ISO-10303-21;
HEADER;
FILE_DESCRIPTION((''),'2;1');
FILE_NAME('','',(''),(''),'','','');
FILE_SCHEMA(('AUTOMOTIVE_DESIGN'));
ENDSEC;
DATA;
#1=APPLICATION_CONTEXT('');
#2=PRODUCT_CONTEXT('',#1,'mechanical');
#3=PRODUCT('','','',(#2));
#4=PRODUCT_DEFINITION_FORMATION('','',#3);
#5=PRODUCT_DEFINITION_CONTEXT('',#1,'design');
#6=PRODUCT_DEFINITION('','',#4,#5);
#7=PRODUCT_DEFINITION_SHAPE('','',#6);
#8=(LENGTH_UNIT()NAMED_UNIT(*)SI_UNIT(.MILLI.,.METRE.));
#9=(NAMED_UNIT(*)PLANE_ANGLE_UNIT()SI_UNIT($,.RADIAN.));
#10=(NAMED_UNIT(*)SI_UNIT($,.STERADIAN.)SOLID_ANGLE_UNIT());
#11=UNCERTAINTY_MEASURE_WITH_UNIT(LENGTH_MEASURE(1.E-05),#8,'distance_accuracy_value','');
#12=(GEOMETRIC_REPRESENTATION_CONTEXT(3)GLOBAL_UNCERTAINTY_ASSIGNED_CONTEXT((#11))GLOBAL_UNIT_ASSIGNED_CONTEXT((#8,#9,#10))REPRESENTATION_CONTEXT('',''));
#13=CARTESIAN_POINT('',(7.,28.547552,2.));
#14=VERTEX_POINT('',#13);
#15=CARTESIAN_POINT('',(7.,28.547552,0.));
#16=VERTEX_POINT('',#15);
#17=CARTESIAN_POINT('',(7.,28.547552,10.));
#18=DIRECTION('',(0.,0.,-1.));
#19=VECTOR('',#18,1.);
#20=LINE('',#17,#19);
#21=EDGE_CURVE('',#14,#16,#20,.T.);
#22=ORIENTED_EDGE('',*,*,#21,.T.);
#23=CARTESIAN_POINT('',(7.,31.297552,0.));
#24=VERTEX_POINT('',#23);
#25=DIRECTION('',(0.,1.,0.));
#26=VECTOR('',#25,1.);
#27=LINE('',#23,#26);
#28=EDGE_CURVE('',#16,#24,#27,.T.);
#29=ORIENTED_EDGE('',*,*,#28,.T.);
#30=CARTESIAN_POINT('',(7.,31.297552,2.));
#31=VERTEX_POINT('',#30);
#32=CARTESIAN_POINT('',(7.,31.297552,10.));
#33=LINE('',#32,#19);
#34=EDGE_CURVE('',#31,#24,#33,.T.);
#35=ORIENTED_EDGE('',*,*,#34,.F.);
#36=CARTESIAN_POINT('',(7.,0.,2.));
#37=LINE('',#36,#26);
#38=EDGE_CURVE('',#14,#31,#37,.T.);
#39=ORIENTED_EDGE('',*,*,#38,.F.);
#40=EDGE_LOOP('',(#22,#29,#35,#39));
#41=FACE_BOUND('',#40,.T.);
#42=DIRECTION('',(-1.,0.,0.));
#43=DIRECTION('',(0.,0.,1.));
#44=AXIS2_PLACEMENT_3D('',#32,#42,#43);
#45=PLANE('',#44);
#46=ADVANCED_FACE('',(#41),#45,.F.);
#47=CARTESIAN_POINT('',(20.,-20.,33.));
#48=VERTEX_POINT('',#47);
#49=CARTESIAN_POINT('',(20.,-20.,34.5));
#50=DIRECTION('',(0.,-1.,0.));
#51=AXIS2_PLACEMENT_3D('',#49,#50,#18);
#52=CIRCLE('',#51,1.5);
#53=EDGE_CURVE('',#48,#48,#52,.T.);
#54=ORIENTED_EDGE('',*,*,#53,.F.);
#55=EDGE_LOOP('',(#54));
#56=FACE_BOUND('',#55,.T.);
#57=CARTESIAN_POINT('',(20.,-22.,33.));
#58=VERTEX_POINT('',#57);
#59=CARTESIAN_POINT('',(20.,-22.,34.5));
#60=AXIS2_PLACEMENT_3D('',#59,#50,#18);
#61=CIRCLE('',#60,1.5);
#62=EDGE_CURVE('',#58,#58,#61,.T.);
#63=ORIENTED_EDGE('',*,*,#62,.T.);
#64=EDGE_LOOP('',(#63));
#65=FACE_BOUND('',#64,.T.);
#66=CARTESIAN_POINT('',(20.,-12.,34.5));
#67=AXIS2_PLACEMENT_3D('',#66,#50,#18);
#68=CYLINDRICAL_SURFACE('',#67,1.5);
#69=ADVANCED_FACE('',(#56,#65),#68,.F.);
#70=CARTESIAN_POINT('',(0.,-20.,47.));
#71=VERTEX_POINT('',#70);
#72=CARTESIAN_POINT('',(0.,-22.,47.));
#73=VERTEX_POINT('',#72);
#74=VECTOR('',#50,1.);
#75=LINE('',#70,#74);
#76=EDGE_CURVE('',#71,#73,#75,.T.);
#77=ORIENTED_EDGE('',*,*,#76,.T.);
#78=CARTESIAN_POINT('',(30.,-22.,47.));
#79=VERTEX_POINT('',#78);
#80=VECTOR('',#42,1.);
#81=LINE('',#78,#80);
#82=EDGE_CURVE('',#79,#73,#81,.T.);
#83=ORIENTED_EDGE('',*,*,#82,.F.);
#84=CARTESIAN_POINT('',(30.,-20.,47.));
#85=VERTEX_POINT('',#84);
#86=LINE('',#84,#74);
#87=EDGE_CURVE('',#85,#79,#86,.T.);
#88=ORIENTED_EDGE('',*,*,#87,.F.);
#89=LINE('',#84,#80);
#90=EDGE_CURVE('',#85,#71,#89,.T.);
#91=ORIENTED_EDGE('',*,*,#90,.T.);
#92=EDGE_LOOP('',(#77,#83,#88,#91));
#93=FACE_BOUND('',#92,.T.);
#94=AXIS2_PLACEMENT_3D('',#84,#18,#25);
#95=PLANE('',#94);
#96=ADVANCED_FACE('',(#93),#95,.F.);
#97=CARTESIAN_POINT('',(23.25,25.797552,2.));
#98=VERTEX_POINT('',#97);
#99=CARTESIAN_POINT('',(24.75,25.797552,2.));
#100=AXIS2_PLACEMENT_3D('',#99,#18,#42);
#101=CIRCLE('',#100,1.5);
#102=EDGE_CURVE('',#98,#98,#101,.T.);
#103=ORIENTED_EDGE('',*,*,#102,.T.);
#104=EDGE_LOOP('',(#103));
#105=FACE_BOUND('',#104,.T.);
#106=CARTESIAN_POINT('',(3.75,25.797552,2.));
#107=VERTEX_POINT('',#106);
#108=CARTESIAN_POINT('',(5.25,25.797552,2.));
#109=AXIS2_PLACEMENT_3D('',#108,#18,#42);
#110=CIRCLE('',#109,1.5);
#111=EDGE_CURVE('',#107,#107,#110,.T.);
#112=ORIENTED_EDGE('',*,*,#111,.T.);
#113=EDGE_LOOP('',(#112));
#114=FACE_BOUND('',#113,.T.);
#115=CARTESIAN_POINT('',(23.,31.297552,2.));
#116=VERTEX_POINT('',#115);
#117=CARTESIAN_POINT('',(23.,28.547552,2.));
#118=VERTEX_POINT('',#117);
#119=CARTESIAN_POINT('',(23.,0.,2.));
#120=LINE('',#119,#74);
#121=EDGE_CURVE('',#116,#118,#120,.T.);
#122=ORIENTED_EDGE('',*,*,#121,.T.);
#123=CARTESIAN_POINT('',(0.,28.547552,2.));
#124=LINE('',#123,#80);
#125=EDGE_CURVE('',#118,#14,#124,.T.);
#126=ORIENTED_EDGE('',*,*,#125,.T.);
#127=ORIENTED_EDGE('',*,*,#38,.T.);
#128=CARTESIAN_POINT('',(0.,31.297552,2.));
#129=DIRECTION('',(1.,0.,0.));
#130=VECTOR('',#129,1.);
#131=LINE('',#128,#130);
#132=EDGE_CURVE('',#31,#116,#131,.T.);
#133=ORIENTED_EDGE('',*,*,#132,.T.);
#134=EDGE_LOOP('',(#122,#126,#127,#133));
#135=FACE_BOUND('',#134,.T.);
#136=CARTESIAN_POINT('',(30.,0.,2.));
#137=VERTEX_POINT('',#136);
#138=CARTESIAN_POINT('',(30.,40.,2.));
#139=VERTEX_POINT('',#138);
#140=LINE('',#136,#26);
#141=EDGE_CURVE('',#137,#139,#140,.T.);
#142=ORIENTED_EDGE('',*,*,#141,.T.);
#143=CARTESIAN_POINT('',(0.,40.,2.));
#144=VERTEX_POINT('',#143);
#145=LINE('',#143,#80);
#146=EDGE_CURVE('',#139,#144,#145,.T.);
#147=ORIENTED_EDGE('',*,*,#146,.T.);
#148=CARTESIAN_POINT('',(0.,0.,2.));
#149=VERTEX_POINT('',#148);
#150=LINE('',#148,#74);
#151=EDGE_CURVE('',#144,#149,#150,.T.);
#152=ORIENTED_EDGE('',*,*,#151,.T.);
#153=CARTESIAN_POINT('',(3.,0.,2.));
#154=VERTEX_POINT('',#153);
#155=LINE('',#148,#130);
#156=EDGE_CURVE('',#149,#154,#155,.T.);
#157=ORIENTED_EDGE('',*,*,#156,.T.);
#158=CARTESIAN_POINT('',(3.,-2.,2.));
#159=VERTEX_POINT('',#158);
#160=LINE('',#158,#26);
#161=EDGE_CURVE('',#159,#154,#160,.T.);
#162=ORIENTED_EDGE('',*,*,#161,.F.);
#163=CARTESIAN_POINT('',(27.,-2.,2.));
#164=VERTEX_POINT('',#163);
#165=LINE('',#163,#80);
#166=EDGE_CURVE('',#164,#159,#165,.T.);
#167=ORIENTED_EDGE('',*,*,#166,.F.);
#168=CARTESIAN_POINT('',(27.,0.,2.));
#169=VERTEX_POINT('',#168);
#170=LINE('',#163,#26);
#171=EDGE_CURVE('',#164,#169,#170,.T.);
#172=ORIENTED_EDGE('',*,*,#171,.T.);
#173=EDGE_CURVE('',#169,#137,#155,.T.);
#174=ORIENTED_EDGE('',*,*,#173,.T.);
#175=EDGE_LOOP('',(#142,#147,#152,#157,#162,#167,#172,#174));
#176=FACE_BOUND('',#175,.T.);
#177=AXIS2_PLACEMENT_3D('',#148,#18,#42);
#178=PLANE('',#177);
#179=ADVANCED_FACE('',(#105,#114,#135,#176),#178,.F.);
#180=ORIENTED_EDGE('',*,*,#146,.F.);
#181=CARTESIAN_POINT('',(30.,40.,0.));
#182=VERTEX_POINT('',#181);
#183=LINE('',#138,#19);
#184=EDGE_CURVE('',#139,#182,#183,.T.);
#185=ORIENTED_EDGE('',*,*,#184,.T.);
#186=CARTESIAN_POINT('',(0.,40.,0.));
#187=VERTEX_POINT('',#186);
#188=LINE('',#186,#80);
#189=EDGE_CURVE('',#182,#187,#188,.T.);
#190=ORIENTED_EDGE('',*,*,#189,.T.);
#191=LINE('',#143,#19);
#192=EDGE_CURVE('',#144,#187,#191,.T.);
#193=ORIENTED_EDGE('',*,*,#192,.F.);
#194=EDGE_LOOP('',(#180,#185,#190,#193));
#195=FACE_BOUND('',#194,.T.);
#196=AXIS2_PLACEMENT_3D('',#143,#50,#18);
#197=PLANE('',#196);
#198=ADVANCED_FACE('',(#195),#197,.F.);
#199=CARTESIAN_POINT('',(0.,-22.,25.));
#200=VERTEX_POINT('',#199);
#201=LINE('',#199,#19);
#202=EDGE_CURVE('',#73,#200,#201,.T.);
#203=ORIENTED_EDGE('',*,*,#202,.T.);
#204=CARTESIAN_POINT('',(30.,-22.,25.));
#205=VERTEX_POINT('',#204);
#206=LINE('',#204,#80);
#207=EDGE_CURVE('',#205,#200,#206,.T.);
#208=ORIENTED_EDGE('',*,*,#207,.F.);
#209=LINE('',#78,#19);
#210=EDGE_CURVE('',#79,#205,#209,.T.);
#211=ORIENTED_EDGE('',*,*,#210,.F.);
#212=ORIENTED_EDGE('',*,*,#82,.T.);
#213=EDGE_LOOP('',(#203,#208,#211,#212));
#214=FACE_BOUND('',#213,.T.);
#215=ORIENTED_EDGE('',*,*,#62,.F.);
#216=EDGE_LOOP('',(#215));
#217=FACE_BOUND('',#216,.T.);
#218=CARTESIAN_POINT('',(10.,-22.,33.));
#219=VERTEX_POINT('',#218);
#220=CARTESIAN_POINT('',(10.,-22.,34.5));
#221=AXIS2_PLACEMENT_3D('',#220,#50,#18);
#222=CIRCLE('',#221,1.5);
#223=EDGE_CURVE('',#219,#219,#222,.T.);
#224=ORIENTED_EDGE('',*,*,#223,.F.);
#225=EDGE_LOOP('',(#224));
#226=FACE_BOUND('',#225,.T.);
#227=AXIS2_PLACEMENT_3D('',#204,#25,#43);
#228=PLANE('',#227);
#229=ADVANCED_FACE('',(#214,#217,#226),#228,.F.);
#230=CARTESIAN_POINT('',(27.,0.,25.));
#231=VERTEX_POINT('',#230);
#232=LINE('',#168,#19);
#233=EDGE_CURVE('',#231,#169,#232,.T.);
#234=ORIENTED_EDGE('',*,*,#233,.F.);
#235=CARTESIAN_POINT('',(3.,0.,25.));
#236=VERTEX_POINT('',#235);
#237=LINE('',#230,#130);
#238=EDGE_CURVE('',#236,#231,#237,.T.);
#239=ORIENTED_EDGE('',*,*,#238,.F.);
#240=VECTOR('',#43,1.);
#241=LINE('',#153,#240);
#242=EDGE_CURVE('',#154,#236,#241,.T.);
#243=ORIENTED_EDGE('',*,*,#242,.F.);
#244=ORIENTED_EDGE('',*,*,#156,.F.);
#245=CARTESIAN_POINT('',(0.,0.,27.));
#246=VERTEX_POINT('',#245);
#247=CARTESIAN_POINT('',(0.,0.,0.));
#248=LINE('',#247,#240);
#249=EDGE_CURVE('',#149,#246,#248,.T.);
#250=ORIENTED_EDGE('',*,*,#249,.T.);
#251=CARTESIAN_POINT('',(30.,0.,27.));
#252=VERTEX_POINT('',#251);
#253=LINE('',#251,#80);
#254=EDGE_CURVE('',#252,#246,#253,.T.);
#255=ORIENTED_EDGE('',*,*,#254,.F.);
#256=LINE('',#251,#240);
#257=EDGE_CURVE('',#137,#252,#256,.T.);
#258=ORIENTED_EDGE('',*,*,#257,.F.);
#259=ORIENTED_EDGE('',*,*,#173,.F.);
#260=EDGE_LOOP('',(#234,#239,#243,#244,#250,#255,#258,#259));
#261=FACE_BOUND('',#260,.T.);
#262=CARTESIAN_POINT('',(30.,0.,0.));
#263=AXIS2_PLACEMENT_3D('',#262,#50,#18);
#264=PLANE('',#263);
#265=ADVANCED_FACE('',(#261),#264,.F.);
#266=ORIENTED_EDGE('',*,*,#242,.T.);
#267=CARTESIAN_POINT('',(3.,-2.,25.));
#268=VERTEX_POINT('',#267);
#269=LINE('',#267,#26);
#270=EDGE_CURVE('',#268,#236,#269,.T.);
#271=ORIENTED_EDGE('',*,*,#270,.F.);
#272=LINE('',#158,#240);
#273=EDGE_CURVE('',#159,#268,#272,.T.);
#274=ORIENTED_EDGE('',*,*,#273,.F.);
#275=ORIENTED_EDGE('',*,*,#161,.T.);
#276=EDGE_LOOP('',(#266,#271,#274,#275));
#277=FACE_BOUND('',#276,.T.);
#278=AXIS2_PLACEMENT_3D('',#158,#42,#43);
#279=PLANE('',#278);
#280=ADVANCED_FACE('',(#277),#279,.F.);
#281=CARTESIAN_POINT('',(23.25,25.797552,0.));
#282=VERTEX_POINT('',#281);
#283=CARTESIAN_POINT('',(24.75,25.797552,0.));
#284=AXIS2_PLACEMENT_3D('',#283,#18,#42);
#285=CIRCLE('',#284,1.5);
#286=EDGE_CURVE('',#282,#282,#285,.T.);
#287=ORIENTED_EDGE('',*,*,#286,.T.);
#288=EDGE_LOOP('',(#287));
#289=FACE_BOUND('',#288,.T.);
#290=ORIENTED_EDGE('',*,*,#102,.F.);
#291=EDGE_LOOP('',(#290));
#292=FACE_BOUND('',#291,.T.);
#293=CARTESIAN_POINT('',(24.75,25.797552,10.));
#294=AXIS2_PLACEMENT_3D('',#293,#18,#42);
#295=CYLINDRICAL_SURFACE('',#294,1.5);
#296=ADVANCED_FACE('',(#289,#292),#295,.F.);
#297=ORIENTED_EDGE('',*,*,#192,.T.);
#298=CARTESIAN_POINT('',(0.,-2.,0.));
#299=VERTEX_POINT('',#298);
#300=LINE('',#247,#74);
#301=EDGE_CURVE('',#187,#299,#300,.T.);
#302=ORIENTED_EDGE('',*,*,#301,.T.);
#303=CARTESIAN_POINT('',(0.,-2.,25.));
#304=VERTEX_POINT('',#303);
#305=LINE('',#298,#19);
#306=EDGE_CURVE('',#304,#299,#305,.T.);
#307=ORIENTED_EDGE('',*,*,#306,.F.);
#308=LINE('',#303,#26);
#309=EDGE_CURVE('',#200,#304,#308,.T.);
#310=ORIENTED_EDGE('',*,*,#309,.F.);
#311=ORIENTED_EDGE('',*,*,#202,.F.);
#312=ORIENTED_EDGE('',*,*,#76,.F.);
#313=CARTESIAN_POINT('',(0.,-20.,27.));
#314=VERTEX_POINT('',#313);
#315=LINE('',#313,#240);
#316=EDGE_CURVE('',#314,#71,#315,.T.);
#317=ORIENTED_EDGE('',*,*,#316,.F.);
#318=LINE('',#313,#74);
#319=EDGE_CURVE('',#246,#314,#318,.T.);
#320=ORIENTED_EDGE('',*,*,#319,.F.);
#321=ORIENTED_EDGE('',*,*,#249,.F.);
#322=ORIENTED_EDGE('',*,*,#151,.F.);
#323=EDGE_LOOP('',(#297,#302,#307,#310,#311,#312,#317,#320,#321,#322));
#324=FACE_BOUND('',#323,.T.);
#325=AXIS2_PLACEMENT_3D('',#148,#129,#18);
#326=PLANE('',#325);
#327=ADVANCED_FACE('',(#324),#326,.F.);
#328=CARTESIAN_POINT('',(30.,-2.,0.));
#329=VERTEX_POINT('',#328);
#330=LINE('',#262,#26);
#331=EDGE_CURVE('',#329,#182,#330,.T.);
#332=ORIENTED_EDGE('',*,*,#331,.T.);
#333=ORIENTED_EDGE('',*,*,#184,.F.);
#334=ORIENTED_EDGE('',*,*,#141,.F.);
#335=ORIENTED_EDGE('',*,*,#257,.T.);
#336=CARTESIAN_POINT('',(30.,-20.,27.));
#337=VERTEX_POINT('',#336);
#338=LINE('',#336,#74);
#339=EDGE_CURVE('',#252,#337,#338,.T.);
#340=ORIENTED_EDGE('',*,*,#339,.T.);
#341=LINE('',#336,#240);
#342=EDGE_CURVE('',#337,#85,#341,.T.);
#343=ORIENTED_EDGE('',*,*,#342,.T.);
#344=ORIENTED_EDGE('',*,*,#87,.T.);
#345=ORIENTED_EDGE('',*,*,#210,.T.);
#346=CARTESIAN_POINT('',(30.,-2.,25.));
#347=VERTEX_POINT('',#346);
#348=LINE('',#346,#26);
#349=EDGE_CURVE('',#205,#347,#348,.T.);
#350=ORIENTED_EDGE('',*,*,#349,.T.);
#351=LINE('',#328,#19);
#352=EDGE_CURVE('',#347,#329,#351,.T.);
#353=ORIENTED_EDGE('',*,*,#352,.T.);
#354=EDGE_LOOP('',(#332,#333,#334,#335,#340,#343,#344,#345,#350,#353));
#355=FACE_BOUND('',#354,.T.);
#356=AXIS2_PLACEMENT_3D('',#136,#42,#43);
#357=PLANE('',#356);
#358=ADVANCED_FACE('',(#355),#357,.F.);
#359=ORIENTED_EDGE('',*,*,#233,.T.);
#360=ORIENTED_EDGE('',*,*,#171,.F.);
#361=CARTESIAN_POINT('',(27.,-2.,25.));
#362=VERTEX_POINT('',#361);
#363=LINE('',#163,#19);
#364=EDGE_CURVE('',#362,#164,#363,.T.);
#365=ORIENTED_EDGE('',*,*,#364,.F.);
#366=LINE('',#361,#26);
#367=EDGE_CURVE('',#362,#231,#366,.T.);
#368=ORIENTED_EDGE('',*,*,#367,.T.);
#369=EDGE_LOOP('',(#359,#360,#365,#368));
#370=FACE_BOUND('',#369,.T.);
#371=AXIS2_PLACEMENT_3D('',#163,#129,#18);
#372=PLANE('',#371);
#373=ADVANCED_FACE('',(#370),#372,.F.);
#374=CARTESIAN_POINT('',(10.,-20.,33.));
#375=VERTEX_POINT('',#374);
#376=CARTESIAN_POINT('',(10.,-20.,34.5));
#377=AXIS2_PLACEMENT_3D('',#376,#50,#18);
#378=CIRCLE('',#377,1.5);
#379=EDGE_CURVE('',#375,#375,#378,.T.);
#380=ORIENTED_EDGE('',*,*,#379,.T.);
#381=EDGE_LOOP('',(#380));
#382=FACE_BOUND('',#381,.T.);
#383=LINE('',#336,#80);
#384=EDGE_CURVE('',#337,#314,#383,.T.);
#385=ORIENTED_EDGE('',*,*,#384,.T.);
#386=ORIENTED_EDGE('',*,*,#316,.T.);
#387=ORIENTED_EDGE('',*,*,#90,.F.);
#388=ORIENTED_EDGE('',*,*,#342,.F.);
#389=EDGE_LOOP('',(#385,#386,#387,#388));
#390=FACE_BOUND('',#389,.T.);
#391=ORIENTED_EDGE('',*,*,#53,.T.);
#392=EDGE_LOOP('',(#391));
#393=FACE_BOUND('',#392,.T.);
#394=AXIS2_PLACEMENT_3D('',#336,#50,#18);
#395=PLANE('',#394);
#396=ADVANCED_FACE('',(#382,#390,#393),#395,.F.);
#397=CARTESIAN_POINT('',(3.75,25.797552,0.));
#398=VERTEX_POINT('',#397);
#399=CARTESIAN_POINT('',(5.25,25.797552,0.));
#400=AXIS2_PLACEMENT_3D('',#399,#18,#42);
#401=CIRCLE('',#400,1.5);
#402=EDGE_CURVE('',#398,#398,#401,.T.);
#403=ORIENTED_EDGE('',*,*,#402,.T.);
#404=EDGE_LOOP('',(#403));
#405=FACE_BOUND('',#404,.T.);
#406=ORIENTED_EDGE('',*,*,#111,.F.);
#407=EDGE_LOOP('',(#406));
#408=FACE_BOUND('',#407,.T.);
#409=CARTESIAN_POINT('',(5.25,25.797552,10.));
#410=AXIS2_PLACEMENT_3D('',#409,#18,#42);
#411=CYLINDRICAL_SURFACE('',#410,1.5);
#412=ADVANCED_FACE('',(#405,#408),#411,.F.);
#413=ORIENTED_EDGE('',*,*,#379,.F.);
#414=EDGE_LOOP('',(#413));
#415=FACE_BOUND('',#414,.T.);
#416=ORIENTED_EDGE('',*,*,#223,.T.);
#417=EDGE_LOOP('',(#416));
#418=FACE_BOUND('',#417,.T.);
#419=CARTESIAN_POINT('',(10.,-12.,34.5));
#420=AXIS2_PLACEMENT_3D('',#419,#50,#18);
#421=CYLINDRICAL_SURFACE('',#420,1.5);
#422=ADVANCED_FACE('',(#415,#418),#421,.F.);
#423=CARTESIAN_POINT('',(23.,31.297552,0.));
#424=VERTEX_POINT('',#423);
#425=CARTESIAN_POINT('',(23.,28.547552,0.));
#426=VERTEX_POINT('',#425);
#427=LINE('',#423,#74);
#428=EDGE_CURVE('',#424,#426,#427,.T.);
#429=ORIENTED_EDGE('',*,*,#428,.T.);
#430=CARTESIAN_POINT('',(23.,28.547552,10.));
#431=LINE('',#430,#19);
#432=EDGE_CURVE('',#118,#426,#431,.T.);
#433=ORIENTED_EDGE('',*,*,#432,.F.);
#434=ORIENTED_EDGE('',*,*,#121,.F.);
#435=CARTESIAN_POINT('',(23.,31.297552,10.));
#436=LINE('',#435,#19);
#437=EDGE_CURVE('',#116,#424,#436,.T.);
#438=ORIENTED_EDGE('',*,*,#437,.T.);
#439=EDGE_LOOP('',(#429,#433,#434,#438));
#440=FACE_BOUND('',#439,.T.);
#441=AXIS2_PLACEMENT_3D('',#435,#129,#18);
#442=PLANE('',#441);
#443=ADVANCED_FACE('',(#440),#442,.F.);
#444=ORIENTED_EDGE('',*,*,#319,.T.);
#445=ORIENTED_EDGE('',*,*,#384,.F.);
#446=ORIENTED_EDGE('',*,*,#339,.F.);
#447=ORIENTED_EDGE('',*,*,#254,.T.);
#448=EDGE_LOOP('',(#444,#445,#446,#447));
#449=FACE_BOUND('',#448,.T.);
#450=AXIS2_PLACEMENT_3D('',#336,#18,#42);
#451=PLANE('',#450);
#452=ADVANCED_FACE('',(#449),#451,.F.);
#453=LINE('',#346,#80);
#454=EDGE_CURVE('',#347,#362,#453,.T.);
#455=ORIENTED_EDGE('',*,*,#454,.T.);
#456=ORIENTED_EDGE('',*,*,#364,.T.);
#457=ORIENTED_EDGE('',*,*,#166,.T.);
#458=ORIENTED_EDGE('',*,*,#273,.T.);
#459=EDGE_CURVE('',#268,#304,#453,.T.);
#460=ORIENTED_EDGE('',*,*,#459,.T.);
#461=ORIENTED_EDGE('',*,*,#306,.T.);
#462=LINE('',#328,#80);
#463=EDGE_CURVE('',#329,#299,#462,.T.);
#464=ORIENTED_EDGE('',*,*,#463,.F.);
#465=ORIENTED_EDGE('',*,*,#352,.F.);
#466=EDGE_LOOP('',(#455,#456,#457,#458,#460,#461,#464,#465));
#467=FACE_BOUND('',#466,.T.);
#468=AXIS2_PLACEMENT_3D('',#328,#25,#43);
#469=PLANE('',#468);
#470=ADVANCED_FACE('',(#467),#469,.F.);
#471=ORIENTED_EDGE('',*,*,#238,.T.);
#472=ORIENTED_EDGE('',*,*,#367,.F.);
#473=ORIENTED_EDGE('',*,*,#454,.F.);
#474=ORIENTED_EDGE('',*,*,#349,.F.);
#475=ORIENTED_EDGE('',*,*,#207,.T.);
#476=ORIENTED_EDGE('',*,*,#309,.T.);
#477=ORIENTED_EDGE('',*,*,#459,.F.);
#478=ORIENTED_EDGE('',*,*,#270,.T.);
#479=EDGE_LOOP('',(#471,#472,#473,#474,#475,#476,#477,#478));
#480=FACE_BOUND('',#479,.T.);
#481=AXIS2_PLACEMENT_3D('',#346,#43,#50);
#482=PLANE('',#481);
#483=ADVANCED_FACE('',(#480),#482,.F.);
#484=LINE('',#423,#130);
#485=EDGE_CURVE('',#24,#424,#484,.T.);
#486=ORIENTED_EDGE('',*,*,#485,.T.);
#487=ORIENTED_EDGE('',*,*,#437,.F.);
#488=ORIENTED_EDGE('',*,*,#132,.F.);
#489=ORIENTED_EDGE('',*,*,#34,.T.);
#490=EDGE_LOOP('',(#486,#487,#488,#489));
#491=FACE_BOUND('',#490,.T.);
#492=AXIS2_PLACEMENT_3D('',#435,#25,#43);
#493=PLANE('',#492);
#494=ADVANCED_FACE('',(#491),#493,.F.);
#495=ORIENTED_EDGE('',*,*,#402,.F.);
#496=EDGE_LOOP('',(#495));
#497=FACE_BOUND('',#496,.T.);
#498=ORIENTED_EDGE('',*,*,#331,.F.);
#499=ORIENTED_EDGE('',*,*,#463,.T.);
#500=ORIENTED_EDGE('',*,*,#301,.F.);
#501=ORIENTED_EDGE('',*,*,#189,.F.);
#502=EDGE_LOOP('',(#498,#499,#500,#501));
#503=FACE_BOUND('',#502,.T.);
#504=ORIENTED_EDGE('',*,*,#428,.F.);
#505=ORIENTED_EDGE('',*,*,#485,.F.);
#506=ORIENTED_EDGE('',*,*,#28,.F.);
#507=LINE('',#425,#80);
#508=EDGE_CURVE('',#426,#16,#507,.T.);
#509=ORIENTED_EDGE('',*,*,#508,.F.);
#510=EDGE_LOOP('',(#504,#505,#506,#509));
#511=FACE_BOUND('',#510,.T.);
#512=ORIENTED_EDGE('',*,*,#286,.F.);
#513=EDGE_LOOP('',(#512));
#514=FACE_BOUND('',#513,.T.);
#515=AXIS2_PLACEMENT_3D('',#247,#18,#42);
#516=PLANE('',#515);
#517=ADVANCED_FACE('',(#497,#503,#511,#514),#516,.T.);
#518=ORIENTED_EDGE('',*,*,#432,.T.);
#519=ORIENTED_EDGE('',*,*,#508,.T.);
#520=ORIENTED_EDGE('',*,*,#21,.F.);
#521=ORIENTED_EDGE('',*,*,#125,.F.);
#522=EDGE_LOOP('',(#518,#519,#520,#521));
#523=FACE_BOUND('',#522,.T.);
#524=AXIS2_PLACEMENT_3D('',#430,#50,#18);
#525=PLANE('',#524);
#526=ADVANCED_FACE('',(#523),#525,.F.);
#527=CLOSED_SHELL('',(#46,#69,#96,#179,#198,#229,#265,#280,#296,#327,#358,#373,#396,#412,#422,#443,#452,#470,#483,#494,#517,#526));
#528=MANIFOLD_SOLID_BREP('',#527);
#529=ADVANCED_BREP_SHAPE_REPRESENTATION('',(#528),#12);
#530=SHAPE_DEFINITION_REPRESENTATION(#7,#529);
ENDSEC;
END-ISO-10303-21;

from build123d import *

# Parameters (mm, degrees)
SKETCH1_W           = 30
SKETCH1_H           = 40
BOSS_EXTRUDE1_DEPTH = 2
BOSS_EXTRUDE3_DEPTH = 30
SKETCH6_W           = 24
SKETCH6_H           = 23
CUT_EXTRUDE2_DEPTH  = 2
SKETCH7_R           = 1.5
SKETCH7_W           = 16
SKETCH7_H           = 2.75
CUT_EXTRUDE3_DEPTH  = 10
SKETCH9_R           = 1.5
CUT_EXTRUDE4_DEPTH  = 10


with BuildPart() as part:
    # Sketch1 → Boss-Extrude1 (new body)
    with BuildSketch(Plane.XY):
        with Locations((15, 20)):
            Rectangle(SKETCH1_W, SKETCH1_H)
    extrude(amount=BOSS_EXTRUDE1_DEPTH)

    # Sketch5 → Boss-Extrude3 (add)
    with BuildSketch(Plane(origin=(0, 0, 0), x_dir=(0, 0, -1), z_dir=(1, 0, 0))):
        Polygon((-27, -20), (-47, -20), (-47, -22), (-26.3, -22), (-25, -22), (-25, -2), (0, -2), (0, 0), (-2, 0), (-27, 0), align=None)
    extrude(amount=BOSS_EXTRUDE3_DEPTH)

    # Sketch6 → Cut-Extrude2 (cut)
    with BuildSketch(Plane(origin=(0, 0, 0), x_dir=(1, 0, 0), z_dir=(0, 1, 0))):
        with Locations((15, -13.5)):
            Rectangle(SKETCH6_W, SKETCH6_H)
    extrude(amount=-CUT_EXTRUDE2_DEPTH, mode=Mode.SUBTRACT)

    # Sketch7 → Cut-Extrude3 (cut)
    with BuildSketch(Plane(origin=(0, 0, 0), x_dir=(-1, 0, 0), z_dir=(0, 0, -1))):
        with Locations((-24.75, 25.797552116)):
            Circle(SKETCH7_R)
        with Locations((-5.25, 25.797552116)):
            Circle(SKETCH7_R)
        with Locations((-15, 29.922552116)):
            Rectangle(SKETCH7_W, SKETCH7_H)
    extrude(amount=-CUT_EXTRUDE3_DEPTH, mode=Mode.SUBTRACT)

    # Sketch9 → Cut-Extrude4 (cut)
    with BuildSketch(Plane.XZ.offset(22)):
        with Locations(Location((20, 34.5, 0), (0, 0, 270))):
            Circle(SKETCH9_R)
        with Locations(Location((10, 34.5, 0), (0, 0, 270))):
            Circle(SKETCH9_R)
    extrude(amount=-CUT_EXTRUDE4_DEPTH, mode=Mode.SUBTRACT)


solid = part.part
